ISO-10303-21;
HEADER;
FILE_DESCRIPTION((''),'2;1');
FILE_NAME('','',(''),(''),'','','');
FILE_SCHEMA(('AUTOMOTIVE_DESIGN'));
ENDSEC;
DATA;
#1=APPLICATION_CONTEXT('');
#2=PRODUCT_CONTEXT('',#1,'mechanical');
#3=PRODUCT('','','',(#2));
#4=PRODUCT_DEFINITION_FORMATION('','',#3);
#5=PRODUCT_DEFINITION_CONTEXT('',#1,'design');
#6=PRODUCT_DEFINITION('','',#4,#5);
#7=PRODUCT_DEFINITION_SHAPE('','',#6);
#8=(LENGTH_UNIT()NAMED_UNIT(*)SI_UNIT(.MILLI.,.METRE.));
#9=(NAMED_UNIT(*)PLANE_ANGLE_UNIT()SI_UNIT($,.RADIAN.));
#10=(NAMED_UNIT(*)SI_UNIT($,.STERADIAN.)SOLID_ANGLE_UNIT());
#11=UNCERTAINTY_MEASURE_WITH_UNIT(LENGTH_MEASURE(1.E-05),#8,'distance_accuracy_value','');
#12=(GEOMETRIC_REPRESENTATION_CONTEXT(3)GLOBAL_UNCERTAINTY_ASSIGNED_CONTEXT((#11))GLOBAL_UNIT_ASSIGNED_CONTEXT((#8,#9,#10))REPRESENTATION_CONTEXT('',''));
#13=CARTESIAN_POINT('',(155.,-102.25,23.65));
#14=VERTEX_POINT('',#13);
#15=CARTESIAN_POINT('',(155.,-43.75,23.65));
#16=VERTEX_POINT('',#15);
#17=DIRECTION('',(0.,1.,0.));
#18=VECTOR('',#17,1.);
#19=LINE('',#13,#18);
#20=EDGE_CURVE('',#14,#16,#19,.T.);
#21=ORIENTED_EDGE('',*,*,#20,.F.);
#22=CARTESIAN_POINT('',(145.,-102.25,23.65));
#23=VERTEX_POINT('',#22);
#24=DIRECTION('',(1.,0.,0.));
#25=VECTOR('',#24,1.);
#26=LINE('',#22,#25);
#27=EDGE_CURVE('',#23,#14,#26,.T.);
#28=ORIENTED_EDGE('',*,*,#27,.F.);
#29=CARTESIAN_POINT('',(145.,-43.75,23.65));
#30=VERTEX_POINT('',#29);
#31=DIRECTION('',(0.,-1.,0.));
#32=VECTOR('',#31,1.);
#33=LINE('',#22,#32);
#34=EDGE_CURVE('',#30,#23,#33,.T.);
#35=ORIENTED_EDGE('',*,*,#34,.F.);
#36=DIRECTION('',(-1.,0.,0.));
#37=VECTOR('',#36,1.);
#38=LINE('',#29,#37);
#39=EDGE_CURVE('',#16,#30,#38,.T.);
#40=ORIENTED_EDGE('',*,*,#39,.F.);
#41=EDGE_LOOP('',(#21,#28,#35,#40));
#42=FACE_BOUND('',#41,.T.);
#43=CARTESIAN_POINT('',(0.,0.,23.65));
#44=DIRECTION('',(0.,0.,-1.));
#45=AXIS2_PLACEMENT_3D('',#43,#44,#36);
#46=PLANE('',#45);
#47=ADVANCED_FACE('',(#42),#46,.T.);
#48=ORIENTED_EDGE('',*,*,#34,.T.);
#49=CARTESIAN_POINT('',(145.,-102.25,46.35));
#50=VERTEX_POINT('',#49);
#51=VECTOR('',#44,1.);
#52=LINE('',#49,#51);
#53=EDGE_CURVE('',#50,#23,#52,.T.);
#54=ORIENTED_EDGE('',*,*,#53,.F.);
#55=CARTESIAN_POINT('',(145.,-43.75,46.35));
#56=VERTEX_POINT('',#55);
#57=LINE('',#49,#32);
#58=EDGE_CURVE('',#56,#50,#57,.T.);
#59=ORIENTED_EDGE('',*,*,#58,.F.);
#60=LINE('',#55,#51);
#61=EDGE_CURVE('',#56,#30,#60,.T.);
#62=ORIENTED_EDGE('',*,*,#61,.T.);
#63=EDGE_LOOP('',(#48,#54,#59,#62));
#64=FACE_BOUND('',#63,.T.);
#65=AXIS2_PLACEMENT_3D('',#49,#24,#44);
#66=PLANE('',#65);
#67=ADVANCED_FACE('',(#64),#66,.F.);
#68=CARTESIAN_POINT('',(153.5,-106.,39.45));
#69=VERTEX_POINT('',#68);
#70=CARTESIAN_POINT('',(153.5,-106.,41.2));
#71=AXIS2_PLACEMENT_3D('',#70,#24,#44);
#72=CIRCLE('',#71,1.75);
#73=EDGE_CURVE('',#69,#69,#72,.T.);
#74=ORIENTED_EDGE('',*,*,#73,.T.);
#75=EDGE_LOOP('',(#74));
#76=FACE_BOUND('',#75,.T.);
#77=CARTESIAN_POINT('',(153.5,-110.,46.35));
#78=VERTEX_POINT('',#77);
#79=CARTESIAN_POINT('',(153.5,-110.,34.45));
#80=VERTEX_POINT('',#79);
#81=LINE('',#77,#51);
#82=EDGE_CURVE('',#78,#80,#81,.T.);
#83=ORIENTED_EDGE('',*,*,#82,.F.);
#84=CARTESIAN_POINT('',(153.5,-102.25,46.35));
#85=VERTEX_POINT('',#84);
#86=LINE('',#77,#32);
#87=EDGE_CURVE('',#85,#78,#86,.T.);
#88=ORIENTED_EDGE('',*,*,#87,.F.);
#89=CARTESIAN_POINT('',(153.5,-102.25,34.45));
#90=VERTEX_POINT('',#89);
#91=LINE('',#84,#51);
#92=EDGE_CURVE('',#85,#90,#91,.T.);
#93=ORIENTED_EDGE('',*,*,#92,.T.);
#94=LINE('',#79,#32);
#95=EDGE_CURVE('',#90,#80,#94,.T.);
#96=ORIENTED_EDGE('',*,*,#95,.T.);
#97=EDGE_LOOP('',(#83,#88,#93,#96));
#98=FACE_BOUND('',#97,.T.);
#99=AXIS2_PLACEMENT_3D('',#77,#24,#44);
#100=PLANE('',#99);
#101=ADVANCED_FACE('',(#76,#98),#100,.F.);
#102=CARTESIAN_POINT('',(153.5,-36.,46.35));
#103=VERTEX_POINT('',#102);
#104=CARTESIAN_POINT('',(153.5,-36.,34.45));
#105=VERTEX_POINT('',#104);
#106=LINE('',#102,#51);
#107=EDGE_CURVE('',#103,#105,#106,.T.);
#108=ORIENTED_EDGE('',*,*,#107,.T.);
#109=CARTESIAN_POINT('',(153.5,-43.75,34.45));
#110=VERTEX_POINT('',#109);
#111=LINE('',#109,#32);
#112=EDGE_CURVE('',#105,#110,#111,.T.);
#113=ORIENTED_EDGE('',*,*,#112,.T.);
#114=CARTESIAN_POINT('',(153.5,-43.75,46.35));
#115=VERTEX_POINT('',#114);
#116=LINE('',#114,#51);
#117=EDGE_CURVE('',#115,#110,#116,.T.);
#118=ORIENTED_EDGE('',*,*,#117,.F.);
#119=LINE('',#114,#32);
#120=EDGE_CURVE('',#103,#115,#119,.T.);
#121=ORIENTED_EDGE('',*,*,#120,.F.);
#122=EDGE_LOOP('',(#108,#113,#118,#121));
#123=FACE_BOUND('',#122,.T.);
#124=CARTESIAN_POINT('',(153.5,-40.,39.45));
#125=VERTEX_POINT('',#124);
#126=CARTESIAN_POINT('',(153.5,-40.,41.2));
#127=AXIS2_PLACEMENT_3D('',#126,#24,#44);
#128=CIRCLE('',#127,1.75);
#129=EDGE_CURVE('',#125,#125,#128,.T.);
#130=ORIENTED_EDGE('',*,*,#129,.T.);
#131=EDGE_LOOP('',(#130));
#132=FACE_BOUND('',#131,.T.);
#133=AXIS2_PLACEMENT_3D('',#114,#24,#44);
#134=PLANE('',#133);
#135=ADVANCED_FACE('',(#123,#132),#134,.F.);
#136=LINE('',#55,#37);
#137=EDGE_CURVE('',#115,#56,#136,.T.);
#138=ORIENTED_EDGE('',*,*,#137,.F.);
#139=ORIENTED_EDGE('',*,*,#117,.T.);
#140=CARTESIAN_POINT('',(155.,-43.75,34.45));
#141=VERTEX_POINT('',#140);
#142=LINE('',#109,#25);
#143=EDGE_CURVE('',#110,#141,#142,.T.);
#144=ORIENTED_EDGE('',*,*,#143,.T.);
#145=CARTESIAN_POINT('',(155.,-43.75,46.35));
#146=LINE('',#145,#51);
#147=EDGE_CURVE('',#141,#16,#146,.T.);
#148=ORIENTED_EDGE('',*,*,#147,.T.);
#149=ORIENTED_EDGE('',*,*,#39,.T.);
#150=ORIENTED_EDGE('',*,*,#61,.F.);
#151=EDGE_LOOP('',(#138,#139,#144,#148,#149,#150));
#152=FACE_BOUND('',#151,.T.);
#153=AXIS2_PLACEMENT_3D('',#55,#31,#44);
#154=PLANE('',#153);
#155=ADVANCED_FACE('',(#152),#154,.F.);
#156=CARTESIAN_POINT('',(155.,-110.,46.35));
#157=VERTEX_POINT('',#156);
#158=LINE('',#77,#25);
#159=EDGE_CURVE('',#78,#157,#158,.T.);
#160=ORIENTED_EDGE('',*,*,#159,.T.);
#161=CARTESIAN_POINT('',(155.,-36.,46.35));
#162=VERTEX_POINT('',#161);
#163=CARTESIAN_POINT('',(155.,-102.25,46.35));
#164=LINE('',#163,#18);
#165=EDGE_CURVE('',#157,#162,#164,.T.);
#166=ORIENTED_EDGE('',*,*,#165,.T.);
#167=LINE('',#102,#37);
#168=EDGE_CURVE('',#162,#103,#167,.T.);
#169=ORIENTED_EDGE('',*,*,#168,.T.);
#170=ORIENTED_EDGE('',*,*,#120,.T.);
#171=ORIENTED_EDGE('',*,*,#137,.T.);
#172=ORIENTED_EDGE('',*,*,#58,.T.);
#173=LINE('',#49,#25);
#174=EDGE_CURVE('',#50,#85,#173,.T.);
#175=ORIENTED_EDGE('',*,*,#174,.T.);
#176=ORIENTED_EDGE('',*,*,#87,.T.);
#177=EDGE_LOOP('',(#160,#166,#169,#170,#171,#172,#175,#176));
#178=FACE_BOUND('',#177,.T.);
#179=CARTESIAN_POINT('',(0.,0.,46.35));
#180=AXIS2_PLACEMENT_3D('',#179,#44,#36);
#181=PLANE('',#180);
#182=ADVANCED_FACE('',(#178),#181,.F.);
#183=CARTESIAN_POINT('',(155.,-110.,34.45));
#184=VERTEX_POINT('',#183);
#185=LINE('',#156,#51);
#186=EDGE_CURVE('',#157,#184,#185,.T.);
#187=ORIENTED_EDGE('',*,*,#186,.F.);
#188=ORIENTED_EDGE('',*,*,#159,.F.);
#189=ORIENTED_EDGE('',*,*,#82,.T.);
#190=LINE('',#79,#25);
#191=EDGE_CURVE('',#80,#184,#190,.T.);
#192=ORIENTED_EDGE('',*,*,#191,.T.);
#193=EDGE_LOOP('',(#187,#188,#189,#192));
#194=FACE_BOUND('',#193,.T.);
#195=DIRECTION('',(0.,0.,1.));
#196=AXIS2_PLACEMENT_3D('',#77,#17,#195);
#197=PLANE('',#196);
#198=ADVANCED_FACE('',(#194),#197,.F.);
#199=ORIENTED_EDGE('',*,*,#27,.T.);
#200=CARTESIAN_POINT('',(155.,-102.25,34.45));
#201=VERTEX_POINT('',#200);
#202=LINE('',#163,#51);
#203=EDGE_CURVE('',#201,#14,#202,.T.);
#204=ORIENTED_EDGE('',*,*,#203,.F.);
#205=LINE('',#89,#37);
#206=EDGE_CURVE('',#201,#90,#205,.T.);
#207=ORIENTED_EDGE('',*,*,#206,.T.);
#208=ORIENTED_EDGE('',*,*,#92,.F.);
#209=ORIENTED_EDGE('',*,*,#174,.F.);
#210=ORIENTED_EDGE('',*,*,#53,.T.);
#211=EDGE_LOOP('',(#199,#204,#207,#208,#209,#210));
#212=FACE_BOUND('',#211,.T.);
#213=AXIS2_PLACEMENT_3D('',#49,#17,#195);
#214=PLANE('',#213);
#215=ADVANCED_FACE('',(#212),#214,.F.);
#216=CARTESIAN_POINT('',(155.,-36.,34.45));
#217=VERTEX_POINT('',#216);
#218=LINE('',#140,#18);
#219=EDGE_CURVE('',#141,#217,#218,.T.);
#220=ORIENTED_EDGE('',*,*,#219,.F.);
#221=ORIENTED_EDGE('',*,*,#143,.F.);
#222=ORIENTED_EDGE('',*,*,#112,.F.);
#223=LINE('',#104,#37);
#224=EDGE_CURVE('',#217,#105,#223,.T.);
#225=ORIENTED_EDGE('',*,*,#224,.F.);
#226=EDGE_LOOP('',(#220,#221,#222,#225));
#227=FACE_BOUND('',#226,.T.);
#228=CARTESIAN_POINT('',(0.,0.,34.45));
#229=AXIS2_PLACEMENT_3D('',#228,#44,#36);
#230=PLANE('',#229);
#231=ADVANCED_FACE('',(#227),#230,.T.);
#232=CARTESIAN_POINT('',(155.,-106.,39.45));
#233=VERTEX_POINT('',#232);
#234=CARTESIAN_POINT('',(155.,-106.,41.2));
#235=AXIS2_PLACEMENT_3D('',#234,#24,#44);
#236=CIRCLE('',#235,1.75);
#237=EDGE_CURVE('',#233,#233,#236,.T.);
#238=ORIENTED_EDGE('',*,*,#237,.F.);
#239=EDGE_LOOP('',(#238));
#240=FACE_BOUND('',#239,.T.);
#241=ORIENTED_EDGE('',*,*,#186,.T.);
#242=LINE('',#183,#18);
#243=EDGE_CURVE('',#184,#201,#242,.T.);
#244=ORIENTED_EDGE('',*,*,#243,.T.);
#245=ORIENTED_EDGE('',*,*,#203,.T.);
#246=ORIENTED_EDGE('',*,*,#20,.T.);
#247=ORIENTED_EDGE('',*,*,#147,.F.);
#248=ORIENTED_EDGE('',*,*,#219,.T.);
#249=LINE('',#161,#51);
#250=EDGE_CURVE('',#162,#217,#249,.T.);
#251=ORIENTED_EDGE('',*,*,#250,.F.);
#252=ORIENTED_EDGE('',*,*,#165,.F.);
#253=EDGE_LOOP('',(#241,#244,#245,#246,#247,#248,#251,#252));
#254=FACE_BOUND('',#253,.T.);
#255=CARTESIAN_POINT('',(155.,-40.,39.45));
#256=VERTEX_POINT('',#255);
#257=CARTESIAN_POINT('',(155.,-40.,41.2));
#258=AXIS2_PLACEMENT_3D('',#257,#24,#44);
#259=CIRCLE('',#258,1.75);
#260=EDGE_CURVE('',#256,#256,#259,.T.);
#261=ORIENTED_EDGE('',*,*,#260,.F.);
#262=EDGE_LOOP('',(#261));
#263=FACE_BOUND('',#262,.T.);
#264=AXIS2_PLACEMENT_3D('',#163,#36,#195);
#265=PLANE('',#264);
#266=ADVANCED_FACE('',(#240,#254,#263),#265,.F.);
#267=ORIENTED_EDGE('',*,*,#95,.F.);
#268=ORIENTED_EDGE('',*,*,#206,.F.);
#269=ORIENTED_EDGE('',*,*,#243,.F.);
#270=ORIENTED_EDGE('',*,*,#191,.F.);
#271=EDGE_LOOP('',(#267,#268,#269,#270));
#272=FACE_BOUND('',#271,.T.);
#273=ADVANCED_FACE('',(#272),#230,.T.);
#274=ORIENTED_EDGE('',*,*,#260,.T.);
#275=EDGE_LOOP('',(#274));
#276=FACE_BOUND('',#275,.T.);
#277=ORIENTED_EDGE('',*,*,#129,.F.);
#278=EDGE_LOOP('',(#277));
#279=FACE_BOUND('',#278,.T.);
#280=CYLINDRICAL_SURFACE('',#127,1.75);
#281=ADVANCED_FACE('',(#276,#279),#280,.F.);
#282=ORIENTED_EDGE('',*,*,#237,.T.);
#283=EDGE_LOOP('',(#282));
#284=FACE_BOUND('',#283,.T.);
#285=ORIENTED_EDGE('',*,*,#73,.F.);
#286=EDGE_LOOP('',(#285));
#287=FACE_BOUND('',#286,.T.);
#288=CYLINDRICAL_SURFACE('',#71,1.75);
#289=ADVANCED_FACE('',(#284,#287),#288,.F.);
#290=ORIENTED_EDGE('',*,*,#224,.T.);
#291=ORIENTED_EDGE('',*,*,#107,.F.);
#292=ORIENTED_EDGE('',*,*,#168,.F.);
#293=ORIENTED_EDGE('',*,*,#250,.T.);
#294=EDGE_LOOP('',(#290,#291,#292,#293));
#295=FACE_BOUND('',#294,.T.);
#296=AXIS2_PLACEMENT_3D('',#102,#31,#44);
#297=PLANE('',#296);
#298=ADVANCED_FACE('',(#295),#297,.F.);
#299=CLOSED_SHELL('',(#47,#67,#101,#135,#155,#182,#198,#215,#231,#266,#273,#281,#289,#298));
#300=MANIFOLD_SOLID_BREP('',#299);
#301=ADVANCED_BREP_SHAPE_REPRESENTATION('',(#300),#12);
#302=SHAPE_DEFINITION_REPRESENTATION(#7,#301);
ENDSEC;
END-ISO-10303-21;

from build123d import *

# Parameters (mm, degrees)
V09_SPEAKER_BODY58P5X22P7X10_START = 23.65
SKETCH_2_W                         = 10
SKETCH_2_H                         = 58.5
V09_SPEAKER_BODY58P5X22P7X10_DEPTH = 22.7
V09_SPEAKER_LOWER_EAR_START        = 34.45
SKETCH_3_W                         = 1.5
SKETCH_3_H                         = 7.75
V09_SPEAKER_LOWER_EAR_DEPTH        = 11.9
V09_SPEAKER_UPPER_EAR_START        = 34.45
SKETCH_4_W                         = 1.5
SKETCH_4_H                         = 7.75
V09_SPEAKER_UPPER_EAR_DEPTH        = 11.9
SKETCH_5_R                         = 1.75
V09_SPEAKER_EAR_D3P5_PITCH66_DEPTH = 1.5


with BuildPart() as part:
    # 草图2 → V09_Speaker_body58p5x22p7x10 (new body)
    with BuildSketch(Plane.XY.offset(V09_SPEAKER_BODY58P5X22P7X10_START)):
        with Locations((150, -73)):
            Rectangle(SKETCH_2_W, SKETCH_2_H)
    extrude(amount=V09_SPEAKER_BODY58P5X22P7X10_DEPTH)

    # 草图3 → V09_Speaker_lower_ear (add)
    with BuildSketch(Plane.XY.offset(V09_SPEAKER_LOWER_EAR_START)):
        with Locations((154.25, -106.125)):
            Rectangle(SKETCH_3_W, SKETCH_3_H)
    extrude(amount=V09_SPEAKER_LOWER_EAR_DEPTH)

    # 草图4 → V09_Speaker_upper_ear (add)
    with BuildSketch(Plane.XY.offset(V09_SPEAKER_UPPER_EAR_START)):
        with Locations((154.25, -39.875)):
            Rectangle(SKETCH_4_W, SKETCH_4_H)
    extrude(amount=V09_SPEAKER_UPPER_EAR_DEPTH)

    # 草图5 → V09_Speaker_ear_D3p5_pitch66 (cut)
    with BuildSketch(Plane(origin=(155, 0, 0), x_dir=(0, 0, -1), z_dir=(1, 0, 0))):
        with Locations((-41.2, -106)):
            Circle(SKETCH_5_R)
        with Locations((-41.2, -40)):
            Circle(SKETCH_5_R)
    extrude(amount=-V09_SPEAKER_EAR_D3P5_PITCH66_DEPTH, mode=Mode.SUBTRACT)


solid = part.part
